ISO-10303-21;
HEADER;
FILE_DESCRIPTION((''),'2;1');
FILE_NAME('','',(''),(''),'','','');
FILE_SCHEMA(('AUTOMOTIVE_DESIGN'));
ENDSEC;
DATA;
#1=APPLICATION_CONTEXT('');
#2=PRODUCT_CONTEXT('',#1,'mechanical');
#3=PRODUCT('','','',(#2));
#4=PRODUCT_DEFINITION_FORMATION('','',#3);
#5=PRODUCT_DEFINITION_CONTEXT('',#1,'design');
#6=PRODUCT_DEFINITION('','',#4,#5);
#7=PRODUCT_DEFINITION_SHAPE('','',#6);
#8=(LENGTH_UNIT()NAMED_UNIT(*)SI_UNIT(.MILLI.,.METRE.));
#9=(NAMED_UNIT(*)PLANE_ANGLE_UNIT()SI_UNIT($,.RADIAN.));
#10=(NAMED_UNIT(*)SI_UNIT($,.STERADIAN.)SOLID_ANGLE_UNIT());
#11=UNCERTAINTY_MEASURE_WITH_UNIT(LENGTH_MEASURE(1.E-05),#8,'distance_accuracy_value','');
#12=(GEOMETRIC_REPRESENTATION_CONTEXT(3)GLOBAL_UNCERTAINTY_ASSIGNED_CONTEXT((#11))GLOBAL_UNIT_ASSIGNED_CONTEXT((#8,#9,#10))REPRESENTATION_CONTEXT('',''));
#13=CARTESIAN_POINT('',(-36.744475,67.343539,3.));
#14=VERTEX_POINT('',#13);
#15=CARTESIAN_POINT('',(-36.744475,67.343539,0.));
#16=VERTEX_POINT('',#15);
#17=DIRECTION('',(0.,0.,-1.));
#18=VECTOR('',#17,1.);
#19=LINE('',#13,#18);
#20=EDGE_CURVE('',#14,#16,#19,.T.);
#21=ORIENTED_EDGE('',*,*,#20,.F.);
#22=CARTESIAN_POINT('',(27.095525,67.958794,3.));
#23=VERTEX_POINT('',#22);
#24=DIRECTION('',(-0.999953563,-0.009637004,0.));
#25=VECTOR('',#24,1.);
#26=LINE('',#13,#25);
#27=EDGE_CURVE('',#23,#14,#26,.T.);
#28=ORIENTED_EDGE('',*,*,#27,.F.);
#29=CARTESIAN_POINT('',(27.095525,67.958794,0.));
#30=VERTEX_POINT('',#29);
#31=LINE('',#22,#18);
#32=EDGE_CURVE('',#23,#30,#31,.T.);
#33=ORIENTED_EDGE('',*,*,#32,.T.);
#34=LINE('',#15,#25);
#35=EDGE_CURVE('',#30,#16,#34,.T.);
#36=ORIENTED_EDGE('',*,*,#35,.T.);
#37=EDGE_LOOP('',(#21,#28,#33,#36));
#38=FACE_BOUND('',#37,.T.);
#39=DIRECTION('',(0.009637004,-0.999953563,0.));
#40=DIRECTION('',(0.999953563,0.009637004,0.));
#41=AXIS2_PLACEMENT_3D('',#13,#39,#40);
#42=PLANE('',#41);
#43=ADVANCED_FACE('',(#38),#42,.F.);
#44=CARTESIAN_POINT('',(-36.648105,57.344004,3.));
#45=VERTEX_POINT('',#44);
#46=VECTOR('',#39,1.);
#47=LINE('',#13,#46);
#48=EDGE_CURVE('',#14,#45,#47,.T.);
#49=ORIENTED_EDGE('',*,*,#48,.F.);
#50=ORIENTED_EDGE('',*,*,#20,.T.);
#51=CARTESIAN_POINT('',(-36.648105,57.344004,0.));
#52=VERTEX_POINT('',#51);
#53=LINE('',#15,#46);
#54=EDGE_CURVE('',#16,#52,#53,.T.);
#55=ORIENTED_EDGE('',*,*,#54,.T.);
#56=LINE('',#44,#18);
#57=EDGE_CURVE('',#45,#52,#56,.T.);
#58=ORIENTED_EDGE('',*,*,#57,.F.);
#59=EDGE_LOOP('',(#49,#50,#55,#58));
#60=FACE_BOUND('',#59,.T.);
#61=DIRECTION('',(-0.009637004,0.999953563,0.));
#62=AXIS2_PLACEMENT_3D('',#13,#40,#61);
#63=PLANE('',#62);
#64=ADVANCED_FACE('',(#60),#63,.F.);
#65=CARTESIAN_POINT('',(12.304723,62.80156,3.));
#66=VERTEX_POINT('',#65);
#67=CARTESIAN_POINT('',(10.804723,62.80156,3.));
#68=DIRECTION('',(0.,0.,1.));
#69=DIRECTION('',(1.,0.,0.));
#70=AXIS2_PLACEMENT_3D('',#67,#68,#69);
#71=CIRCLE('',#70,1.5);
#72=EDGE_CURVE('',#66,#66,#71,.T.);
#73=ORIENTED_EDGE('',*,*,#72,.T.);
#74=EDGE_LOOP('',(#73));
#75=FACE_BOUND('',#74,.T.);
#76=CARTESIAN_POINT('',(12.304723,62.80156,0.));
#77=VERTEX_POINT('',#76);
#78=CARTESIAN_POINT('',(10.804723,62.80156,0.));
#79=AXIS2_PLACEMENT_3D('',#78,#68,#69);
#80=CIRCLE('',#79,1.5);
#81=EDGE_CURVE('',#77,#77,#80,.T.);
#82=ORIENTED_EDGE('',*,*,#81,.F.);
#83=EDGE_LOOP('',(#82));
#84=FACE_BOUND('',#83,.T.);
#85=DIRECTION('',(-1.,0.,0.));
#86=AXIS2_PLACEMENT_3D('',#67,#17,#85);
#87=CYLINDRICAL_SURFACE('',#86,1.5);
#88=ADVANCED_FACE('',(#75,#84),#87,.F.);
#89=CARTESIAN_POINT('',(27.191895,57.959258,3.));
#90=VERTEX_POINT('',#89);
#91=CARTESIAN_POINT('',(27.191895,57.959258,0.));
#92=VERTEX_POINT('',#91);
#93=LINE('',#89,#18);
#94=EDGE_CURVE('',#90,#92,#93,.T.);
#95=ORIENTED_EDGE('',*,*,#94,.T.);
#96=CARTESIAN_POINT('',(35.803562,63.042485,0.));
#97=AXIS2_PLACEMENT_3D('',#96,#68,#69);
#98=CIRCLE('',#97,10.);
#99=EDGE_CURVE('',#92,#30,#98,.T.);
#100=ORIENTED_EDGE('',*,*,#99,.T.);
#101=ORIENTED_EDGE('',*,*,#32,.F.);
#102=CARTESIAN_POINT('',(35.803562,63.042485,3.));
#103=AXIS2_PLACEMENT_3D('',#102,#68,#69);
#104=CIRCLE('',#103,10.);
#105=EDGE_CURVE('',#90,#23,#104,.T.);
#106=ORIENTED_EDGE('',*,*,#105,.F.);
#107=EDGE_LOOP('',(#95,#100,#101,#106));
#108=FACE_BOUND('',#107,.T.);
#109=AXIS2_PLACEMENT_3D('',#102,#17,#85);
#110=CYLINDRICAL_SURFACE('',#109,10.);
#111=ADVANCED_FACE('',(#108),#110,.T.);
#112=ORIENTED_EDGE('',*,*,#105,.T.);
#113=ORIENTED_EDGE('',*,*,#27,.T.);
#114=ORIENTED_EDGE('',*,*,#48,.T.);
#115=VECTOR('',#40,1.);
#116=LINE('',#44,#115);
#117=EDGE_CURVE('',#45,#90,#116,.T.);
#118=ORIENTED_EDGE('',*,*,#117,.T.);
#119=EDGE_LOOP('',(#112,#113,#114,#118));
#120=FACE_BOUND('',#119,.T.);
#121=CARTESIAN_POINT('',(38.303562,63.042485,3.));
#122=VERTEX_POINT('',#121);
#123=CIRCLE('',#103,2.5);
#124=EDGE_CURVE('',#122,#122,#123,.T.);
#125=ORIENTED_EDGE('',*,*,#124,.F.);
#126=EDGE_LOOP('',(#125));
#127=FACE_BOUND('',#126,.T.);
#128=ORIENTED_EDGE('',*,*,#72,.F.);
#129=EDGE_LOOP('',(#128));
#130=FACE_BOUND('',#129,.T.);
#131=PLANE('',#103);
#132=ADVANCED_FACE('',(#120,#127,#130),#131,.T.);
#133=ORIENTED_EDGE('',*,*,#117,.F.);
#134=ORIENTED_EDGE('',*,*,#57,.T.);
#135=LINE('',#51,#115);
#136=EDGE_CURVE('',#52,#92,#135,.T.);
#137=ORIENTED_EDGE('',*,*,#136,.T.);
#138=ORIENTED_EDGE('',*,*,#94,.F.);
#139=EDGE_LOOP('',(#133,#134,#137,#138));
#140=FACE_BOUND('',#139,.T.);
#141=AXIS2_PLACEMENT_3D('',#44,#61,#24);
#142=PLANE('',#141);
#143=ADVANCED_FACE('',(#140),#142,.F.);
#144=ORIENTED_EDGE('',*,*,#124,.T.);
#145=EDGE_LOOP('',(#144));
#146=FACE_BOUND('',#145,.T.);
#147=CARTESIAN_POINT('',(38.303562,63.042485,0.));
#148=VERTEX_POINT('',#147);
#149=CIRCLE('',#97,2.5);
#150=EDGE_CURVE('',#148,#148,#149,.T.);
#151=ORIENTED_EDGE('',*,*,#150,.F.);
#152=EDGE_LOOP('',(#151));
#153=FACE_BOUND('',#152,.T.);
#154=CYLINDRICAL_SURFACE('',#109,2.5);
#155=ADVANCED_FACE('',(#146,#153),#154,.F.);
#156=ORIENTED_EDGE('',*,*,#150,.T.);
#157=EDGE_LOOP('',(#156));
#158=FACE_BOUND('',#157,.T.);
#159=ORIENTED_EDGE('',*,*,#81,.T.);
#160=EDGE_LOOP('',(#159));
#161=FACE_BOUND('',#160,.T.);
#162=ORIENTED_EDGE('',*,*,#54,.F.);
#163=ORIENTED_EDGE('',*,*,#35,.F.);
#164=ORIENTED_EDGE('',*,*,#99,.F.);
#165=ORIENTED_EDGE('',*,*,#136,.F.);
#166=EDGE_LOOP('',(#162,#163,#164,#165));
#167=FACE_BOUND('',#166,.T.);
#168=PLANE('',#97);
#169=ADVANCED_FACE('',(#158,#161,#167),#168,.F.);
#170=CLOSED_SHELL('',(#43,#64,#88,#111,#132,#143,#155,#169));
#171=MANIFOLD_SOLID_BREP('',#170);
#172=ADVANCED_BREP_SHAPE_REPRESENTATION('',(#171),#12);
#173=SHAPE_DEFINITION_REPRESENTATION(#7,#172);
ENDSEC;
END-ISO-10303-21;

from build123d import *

# Parameters (mm, degrees)
SKETCH1_R           = 2.5
SKETCH1_R_2         = 1.500000002
BOSS_EXTRUDE1_DEPTH = 3


with BuildPart() as part:
    # Sketch1 → Boss-Extrude1 (new body)
    with BuildSketch(Plane.XY):
        with BuildLine():
            Line((-36.744474703, 67.343539136), (27.095525297, 67.958794059))
            ThreePointArc((27.095525297, 67.958794059), (45.803097829, 63.138855192), (27.191895339, 57.959258429))
            Line((27.191895339, 57.959258429), (-36.648104661, 57.344003506))
            Line((-36.648104661, 57.344003506), (-36.744474703, 67.343539136))
        make_face()
        with Locations((35.803562199, 63.04248515)):
            Circle(SKETCH1_R, mode=Mode.SUBTRACT)
        with Locations((10.804723125, 62.801560043)):
            Circle(SKETCH1_R_2, mode=Mode.SUBTRACT)
    extrude(amount=BOSS_EXTRUDE1_DEPTH)


solid = part.part
